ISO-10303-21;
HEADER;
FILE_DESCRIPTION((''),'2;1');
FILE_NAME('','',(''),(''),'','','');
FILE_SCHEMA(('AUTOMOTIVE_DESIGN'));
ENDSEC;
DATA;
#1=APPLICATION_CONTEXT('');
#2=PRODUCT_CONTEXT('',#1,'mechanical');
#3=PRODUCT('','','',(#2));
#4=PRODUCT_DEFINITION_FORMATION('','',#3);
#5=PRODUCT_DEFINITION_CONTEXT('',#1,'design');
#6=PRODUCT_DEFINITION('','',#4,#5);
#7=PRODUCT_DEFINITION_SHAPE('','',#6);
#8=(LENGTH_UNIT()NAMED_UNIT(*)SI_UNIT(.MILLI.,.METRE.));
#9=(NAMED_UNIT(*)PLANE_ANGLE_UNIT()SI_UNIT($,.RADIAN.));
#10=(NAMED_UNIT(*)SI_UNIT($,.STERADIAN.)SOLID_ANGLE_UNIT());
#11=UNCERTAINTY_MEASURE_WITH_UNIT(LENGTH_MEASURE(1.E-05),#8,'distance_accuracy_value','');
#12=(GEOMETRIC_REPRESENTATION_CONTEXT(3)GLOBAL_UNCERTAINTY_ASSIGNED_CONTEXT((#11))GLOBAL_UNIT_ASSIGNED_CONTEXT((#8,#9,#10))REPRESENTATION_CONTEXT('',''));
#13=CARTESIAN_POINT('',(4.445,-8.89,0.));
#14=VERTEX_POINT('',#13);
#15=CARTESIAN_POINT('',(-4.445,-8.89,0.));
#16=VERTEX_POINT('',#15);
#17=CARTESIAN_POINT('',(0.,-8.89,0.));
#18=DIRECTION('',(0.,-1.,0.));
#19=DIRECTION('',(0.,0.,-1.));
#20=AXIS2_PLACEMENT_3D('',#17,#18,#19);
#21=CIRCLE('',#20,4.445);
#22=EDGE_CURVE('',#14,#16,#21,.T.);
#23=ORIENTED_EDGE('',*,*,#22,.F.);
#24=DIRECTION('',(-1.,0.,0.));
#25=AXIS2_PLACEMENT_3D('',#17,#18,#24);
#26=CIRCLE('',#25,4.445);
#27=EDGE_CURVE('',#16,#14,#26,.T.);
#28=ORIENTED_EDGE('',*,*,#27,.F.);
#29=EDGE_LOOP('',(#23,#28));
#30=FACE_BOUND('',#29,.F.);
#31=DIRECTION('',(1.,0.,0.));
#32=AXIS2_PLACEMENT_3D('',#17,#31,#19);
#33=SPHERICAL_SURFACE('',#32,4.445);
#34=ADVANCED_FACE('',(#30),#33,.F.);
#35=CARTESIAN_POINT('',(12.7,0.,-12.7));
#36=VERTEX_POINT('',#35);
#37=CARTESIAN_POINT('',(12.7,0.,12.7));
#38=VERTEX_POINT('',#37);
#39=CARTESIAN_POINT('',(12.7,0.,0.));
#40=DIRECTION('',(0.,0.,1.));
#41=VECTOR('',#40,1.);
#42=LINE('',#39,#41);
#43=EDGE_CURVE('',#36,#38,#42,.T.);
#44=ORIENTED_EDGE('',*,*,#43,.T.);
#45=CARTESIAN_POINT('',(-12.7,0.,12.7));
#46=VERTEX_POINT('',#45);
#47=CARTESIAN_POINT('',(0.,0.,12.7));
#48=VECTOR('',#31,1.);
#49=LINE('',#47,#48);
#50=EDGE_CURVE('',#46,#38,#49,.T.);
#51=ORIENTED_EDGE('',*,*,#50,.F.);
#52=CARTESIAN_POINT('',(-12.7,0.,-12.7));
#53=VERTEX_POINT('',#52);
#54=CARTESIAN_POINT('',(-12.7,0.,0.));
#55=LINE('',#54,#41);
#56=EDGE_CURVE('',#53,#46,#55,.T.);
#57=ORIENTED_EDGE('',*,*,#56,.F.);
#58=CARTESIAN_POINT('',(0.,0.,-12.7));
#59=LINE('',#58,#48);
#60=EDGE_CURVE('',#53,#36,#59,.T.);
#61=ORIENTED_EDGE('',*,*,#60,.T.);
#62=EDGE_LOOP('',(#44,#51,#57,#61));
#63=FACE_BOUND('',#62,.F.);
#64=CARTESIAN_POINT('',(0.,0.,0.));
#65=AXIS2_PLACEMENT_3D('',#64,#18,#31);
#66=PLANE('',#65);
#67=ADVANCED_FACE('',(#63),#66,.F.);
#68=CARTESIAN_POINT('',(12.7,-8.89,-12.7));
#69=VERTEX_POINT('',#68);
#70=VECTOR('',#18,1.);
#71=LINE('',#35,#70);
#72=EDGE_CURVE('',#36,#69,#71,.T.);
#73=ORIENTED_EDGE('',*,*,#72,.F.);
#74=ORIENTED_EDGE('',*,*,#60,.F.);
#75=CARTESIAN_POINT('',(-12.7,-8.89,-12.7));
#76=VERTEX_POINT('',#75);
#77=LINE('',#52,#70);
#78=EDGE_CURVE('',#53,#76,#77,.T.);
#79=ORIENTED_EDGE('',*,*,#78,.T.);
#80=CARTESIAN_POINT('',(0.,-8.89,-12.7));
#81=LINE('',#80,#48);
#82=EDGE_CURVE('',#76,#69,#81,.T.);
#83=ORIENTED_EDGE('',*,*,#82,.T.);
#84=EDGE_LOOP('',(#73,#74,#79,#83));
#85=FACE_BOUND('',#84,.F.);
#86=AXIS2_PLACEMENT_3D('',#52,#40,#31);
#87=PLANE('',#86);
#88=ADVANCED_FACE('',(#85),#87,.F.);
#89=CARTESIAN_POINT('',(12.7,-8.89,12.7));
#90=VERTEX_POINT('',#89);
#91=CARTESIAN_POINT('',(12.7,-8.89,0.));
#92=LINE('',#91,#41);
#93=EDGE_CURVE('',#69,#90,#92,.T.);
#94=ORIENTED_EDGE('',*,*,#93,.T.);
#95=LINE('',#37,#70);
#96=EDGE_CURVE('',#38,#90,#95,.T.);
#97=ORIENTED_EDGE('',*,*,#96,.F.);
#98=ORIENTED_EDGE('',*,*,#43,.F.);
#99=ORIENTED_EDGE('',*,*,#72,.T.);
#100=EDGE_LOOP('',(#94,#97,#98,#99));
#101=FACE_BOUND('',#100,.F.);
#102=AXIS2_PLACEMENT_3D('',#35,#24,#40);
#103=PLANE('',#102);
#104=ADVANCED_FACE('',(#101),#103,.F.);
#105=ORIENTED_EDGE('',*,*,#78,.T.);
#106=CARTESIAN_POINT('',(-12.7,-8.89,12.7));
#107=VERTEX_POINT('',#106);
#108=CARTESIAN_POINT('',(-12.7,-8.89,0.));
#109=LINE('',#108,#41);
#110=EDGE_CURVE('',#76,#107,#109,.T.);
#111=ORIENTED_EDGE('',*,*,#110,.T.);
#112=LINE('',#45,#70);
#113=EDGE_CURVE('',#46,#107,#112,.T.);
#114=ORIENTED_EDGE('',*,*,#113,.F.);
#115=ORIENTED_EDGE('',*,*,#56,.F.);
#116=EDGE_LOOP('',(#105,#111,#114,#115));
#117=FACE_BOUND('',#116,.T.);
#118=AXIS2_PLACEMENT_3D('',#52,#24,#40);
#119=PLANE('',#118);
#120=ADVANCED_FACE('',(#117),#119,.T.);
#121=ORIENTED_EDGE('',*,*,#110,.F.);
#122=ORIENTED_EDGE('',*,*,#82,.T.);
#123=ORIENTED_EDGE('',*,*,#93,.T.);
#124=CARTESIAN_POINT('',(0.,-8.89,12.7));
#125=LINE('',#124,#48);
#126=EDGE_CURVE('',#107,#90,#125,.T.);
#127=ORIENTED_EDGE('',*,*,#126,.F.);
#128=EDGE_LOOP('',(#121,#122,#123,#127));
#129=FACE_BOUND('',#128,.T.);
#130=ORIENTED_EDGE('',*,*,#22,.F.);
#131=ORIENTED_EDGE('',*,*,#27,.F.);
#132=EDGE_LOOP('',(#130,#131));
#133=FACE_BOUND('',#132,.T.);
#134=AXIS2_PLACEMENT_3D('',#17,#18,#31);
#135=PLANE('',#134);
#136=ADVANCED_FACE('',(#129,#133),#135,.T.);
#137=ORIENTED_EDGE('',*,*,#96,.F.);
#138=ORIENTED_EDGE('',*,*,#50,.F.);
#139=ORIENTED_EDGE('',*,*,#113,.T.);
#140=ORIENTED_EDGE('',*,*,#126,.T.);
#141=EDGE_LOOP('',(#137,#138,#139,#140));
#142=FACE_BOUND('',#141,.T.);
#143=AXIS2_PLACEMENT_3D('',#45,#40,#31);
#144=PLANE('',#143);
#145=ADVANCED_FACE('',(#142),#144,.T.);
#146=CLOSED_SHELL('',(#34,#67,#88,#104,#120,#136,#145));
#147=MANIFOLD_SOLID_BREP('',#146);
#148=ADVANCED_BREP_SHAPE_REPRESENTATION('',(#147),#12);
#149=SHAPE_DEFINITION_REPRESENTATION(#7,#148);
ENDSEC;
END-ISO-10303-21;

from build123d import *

# Parameters (mm, degrees)
F0_W     = 25.4
F0_H     = 25.4
F1_DEPTH = 8.89


with BuildPart() as f1:
    # F0 (on Front) → F1 (new body)
    with BuildSketch(Plane.XZ):
        Rectangle(F0_W, F0_H)
    extrude(amount=F1_DEPTH)

    # F2 (on face) → F3 (revolve, cut)
    with BuildSketch(Plane.XZ.offset(8.89)):
        with BuildLine():
            Line((4.445, 0), (-4.445, 0))
            ThreePointArc((-4.445, 0), (0, -4.445), (4.445, 0))
        make_face()
    revolve(axis=Axis((0, -8.89, 0), (1, 0, 0)), mode=Mode.SUBTRACT)


solid = f1.part
